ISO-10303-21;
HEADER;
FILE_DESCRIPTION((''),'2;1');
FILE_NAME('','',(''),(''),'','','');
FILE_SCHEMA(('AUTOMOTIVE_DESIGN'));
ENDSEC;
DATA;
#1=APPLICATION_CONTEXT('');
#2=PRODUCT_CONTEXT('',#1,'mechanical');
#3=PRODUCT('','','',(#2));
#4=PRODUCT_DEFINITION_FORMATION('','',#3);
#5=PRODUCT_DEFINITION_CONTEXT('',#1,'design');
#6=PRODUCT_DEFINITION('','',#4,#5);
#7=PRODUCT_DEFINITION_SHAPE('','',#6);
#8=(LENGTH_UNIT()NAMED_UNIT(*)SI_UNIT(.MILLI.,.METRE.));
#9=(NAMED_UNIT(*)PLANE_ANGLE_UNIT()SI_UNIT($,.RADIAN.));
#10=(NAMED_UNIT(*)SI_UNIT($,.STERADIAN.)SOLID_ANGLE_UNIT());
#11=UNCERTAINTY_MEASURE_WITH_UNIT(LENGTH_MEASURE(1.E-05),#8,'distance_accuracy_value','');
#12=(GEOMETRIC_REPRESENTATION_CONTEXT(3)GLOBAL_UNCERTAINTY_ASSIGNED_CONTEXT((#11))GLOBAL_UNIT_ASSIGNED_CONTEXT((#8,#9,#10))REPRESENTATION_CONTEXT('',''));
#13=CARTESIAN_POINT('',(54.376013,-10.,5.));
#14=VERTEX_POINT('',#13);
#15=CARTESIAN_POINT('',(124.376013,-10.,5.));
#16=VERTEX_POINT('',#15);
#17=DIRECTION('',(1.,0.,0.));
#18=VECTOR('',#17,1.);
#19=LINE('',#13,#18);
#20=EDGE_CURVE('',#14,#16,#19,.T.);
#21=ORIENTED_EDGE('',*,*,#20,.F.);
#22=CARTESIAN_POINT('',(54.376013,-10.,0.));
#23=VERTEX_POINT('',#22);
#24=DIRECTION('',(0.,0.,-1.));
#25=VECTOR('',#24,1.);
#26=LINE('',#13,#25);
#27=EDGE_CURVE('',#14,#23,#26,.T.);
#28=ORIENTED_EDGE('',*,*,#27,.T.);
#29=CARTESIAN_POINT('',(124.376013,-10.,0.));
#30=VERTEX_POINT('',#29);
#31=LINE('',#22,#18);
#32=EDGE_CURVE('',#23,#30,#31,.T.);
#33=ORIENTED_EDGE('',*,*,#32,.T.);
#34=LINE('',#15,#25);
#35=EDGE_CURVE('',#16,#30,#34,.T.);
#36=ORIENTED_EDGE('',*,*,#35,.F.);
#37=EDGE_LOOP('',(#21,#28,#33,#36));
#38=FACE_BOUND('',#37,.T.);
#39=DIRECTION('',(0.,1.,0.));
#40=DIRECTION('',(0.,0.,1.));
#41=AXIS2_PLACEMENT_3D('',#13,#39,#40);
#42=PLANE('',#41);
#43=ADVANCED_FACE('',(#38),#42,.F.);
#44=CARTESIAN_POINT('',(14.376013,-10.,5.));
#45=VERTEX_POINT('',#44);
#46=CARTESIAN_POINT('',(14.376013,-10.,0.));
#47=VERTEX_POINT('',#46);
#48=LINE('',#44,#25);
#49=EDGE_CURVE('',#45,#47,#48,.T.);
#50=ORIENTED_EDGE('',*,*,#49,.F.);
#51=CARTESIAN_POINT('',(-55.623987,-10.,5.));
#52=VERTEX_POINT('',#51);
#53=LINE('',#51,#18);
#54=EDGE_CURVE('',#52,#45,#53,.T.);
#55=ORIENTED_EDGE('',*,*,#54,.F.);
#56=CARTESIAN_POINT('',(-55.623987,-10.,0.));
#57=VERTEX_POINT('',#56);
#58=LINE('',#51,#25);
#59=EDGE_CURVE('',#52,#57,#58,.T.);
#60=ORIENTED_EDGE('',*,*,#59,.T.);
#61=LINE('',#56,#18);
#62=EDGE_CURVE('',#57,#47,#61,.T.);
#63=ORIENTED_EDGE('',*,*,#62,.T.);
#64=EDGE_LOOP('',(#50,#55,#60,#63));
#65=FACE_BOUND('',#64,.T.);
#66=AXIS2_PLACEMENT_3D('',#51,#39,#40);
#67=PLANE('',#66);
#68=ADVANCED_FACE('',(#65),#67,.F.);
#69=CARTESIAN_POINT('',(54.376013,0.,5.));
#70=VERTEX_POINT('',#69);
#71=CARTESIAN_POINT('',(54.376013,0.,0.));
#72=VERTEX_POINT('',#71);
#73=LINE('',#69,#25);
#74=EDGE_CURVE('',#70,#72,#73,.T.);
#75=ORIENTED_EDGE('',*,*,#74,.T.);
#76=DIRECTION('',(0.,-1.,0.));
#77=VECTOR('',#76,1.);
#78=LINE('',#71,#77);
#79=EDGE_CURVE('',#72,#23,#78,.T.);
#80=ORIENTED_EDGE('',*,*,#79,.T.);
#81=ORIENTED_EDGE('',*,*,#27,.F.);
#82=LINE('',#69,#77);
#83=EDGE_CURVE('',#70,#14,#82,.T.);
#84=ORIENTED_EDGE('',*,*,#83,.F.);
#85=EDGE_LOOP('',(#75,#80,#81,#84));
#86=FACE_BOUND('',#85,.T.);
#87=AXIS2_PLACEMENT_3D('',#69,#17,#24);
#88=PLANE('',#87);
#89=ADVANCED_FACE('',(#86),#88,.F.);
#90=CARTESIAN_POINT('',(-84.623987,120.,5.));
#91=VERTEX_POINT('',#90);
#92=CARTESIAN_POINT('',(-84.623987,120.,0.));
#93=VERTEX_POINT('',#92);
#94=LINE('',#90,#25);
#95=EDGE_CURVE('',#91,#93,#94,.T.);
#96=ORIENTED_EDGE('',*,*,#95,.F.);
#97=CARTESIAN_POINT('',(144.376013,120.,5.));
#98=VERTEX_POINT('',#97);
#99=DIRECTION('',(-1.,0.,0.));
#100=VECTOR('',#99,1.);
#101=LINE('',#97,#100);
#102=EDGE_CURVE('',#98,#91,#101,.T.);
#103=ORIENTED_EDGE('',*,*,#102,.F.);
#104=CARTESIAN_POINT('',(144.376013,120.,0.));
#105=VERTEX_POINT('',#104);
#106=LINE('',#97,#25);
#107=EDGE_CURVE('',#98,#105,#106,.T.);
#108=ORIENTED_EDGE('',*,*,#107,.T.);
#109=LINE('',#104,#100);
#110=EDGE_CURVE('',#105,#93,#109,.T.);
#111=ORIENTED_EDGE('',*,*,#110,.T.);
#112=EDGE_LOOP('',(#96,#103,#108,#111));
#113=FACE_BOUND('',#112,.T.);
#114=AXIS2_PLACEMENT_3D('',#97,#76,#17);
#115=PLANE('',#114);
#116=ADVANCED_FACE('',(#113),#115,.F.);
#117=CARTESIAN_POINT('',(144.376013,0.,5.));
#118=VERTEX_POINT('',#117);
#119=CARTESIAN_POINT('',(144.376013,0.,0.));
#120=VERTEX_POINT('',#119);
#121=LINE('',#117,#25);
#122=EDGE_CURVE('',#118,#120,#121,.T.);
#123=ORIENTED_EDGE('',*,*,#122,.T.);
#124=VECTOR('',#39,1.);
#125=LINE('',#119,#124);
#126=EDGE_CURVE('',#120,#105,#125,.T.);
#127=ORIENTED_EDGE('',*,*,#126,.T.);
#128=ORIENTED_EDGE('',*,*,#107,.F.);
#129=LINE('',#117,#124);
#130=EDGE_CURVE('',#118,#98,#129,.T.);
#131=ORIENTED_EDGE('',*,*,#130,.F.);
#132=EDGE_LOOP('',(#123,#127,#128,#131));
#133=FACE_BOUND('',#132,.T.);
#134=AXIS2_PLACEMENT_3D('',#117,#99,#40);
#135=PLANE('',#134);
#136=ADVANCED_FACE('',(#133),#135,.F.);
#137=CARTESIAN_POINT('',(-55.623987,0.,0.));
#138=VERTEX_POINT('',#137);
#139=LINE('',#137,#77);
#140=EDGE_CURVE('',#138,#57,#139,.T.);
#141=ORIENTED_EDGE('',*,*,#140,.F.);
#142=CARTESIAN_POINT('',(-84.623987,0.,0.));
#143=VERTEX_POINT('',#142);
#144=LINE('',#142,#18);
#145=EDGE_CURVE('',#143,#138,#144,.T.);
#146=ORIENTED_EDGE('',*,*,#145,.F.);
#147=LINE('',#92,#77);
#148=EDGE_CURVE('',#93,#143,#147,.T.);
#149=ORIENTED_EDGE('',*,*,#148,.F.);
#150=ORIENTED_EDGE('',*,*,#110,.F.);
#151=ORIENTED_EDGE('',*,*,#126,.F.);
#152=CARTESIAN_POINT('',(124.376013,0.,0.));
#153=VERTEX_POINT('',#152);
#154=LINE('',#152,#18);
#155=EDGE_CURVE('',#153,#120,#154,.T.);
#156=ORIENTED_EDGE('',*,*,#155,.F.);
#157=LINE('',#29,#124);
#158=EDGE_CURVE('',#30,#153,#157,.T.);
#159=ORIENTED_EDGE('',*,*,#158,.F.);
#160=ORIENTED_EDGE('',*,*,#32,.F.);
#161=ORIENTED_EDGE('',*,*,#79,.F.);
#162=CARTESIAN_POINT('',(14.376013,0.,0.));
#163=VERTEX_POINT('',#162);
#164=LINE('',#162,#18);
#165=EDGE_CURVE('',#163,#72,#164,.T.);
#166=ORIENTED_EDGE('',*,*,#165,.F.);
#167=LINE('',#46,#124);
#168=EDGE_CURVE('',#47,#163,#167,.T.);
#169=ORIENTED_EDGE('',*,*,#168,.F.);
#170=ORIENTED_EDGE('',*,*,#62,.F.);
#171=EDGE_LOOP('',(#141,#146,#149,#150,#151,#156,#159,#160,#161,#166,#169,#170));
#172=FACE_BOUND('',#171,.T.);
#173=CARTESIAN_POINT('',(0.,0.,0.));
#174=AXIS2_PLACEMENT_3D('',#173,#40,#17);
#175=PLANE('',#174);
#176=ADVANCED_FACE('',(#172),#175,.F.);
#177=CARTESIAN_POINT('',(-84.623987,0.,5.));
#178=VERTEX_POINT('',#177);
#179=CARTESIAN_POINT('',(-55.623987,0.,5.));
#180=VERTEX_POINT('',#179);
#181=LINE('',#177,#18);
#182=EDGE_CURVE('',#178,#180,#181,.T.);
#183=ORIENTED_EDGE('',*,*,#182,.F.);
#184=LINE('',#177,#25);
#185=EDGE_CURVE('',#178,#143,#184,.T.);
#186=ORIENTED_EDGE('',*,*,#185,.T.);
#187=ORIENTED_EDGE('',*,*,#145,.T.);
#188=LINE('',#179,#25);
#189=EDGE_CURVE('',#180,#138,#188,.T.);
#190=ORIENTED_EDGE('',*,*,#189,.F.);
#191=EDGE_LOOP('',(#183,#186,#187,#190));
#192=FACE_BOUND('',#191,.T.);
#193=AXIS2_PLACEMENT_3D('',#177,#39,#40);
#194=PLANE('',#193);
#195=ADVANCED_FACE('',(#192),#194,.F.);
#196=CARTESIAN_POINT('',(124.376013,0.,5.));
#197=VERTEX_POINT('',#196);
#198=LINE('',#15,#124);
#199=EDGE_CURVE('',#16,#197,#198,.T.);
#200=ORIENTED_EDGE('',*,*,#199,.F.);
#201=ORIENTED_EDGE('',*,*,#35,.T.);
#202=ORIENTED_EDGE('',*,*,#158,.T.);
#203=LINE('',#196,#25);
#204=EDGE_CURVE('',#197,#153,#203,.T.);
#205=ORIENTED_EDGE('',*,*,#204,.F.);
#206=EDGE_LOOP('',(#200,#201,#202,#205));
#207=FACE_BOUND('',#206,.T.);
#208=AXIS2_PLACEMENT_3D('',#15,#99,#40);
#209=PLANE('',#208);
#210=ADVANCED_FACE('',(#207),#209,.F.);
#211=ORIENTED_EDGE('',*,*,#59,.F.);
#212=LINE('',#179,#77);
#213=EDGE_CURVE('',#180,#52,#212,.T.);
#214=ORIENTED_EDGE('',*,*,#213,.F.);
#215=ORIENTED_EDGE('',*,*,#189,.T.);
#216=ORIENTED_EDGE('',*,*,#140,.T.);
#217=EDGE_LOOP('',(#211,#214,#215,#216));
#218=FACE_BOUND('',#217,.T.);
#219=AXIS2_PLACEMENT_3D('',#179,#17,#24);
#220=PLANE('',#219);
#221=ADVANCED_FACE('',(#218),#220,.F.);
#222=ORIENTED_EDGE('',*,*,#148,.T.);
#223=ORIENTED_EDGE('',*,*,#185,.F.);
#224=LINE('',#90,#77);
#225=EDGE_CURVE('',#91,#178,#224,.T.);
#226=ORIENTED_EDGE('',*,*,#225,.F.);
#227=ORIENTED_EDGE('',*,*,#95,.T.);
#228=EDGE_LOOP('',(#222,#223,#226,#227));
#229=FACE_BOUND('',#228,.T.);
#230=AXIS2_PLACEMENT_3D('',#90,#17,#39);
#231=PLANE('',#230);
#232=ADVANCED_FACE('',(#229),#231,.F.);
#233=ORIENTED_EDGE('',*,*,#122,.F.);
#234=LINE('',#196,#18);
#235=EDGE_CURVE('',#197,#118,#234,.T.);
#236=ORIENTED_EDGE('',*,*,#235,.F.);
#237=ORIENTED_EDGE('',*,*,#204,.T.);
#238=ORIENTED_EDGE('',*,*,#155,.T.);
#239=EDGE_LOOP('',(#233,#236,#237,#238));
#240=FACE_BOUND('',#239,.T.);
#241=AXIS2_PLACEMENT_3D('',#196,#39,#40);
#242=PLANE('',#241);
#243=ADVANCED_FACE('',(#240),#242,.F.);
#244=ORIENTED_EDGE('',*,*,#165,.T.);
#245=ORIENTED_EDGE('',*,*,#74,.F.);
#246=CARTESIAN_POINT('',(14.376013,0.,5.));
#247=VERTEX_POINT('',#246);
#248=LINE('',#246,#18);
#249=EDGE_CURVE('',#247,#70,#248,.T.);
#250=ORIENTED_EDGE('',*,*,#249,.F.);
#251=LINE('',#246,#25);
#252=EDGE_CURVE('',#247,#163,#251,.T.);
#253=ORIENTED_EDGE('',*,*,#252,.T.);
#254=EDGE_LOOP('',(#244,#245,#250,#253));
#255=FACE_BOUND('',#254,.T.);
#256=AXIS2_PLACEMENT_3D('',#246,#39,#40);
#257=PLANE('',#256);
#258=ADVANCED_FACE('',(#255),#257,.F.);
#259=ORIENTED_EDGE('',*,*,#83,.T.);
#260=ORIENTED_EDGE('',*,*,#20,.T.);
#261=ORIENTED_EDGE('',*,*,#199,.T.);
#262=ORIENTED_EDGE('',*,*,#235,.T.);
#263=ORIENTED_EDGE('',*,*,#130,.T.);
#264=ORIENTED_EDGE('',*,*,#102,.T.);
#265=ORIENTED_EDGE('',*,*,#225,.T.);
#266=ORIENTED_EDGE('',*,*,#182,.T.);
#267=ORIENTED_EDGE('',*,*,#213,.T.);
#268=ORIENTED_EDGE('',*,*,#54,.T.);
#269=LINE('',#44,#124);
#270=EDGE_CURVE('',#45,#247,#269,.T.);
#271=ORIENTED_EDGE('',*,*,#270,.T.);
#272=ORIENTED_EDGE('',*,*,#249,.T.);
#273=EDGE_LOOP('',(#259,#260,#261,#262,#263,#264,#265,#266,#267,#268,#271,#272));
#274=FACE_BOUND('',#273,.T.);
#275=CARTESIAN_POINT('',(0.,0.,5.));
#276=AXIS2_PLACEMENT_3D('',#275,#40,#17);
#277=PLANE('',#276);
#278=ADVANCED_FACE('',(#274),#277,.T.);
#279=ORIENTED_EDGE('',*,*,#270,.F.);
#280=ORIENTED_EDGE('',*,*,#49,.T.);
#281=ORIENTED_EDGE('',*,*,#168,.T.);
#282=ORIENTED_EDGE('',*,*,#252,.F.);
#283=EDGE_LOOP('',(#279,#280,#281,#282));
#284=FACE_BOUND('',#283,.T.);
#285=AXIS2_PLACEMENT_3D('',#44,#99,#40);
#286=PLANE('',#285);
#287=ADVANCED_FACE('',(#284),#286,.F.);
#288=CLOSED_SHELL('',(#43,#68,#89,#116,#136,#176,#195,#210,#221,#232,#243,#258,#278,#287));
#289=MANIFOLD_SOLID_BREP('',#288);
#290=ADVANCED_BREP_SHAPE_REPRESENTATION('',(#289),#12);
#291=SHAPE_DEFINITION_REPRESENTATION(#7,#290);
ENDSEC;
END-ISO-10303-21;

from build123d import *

# Parameters (mm, degrees)
BOSS_EXTRU_1_DEPTH = 5


with BuildPart() as part:
    # Esquisse1 → Boss.-Extru.1 (new body)
    with BuildSketch(Plane.XY):
        Polygon((-84.623987034, 0), (-55.623987034, 0), (-55.623987034, -10), (14.376012966, -10), (14.376012966, 0), (54.376012966, 0), (54.376012966, -10), (124.376012966, -10), (124.376012966, 0), (144.376012966, 0), (144.376012966, 120), (-84.623987034, 120), align=None)
    extrude(amount=BOSS_EXTRU_1_DEPTH)


solid = part.part
